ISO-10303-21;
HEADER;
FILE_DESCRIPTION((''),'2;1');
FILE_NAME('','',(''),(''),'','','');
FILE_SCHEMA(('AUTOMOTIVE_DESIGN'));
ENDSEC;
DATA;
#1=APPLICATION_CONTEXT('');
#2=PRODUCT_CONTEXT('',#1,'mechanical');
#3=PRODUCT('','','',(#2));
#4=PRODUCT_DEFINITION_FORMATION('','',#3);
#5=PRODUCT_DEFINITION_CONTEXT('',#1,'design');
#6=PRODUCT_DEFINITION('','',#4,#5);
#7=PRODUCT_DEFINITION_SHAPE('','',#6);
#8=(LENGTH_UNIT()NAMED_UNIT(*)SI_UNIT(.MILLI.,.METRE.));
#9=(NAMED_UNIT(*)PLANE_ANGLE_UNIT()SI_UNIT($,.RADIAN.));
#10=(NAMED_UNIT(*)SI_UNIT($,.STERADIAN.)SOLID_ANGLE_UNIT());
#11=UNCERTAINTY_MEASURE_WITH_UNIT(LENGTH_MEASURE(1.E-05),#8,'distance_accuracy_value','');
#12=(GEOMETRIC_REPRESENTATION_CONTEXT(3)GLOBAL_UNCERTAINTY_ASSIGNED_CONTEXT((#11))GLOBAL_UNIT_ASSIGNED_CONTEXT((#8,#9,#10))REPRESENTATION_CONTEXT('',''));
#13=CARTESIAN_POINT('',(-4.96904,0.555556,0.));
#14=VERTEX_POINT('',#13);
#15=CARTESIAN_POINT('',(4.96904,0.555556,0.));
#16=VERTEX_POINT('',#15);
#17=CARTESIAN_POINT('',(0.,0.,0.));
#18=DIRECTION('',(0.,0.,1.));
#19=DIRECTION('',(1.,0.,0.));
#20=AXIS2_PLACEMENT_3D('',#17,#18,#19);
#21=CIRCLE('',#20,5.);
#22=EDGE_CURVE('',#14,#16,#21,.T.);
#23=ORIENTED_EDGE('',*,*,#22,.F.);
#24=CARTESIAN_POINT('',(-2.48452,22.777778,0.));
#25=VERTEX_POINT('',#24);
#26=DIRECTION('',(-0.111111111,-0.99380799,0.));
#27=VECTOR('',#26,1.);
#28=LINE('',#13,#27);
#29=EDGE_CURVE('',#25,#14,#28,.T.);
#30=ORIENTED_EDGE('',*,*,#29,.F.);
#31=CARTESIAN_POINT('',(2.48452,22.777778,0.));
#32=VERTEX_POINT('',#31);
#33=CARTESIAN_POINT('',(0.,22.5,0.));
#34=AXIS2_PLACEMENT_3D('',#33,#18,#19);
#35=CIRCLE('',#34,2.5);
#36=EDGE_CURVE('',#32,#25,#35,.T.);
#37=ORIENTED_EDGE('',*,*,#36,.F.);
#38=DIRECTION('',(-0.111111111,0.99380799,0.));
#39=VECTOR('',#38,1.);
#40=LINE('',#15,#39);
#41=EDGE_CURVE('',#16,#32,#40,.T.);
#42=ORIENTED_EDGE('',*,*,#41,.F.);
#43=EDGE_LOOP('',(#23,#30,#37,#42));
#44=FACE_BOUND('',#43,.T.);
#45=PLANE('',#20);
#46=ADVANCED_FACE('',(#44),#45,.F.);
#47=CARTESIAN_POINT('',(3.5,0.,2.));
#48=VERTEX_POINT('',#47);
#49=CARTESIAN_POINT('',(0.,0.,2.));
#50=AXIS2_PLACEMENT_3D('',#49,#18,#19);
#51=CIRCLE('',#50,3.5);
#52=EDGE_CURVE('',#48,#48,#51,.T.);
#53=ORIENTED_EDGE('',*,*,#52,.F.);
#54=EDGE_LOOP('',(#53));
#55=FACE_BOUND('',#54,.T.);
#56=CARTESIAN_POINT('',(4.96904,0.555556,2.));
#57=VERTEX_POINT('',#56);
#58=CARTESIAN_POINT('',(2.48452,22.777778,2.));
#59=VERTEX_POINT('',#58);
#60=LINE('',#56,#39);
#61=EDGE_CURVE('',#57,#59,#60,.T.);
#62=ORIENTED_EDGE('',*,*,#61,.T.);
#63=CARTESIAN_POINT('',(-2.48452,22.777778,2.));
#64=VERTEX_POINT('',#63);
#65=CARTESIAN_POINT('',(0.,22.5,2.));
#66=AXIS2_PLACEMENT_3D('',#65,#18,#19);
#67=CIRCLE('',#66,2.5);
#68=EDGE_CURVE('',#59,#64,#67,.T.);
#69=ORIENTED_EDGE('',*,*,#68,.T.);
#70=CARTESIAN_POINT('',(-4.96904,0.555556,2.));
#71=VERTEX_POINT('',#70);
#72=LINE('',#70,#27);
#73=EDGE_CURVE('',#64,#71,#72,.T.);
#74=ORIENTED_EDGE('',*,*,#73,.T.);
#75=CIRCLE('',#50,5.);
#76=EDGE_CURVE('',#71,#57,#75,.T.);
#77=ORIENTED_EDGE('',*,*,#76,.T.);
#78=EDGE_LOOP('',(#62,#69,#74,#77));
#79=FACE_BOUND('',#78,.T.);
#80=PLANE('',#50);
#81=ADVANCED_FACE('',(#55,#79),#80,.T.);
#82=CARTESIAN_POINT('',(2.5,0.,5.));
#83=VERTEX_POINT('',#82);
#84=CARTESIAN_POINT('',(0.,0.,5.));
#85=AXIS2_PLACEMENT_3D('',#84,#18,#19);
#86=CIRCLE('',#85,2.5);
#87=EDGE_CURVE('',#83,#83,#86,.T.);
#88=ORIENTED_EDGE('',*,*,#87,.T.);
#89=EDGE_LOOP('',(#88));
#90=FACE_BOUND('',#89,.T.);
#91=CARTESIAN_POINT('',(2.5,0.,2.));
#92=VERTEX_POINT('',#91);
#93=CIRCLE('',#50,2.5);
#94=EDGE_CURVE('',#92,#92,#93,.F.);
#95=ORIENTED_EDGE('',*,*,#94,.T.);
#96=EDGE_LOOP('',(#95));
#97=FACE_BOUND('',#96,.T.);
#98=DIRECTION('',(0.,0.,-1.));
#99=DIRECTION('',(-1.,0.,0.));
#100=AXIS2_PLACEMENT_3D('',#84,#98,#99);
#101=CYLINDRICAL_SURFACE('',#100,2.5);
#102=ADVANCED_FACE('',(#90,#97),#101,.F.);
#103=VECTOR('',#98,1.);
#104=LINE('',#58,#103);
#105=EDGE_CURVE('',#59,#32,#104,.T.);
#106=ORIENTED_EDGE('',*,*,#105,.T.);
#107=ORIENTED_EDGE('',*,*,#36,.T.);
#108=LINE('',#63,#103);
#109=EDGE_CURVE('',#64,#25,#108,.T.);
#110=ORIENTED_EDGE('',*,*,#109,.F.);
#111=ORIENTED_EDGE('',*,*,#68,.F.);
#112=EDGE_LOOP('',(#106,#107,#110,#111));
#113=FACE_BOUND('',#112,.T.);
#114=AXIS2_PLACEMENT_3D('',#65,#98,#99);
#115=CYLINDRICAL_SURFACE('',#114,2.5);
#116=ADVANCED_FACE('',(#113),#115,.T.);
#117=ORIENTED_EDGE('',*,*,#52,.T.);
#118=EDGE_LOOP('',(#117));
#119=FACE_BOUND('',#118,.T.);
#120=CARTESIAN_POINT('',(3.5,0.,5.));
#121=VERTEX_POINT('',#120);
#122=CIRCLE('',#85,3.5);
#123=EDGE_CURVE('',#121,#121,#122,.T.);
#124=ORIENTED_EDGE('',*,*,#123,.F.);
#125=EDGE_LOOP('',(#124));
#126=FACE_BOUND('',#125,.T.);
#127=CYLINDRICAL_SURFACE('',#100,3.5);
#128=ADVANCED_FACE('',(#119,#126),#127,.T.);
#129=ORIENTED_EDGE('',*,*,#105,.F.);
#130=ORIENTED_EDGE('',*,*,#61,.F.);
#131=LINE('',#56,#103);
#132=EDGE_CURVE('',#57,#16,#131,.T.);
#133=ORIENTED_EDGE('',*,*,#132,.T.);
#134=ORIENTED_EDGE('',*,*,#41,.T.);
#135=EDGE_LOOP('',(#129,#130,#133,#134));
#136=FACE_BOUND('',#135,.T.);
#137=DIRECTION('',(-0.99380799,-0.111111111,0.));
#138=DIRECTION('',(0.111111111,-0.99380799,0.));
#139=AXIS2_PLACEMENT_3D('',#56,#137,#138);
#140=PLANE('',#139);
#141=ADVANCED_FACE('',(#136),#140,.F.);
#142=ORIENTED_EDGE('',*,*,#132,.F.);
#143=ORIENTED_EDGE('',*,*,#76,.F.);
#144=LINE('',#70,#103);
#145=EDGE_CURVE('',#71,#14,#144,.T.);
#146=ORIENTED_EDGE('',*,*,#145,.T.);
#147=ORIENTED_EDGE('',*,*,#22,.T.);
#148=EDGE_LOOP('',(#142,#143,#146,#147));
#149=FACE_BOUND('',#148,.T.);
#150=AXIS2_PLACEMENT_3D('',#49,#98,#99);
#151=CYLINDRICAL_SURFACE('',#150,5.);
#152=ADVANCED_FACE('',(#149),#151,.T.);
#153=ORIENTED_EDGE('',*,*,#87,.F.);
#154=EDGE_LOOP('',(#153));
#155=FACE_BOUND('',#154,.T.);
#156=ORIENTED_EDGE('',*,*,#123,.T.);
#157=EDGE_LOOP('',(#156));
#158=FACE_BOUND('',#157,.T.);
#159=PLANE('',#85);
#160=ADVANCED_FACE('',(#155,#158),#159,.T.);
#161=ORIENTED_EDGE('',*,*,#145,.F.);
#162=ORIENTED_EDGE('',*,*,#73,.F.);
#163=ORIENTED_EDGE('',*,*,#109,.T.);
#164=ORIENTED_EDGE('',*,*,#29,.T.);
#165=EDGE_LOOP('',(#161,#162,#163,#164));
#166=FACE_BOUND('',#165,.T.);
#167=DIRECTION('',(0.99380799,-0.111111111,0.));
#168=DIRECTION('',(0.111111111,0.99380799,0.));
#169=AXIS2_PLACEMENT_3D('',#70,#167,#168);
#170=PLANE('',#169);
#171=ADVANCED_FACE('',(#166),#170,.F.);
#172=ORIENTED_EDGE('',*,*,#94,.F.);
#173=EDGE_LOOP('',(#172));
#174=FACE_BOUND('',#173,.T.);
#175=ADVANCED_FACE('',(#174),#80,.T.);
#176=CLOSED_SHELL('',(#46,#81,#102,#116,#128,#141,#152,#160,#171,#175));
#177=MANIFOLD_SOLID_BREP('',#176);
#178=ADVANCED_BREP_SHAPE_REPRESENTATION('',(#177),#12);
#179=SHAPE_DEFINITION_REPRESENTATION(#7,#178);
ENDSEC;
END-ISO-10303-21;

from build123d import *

# Parameters (mm, degrees)
EXTRUDE_1_DEPTH = 2
SKETCH_2_R      = 3.5
SKETCH_2_R_2    = 2.5
EXTRUDE_2_DEPTH = 3


with BuildPart() as part:
    # 草图1 → 凸台-拉伸1 (new body)
    with BuildSketch(Plane.XY):
        with BuildLine():
            Line((-4.96903995, 0.555555556), (-2.484519975, 22.777777778))
            ThreePointArc((-2.484519975, 22.777777778), (0, 25), (2.484519975, 22.777777778))
            Line((2.484519975, 22.777777778), (4.96903995, 0.555555556))
            ThreePointArc((4.96903995, 0.555555556), (0, -5), (-4.96903995, 0.555555556))
        make_face()
    extrude(amount=EXTRUDE_1_DEPTH)

    # 草图2 → 凸台-拉伸2 (add)
    with BuildSketch(Plane.XY.offset(2)):
        Circle(SKETCH_2_R)
        Circle(SKETCH_2_R_2, mode=Mode.SUBTRACT)
    extrude(amount=EXTRUDE_2_DEPTH)


solid = part.part
